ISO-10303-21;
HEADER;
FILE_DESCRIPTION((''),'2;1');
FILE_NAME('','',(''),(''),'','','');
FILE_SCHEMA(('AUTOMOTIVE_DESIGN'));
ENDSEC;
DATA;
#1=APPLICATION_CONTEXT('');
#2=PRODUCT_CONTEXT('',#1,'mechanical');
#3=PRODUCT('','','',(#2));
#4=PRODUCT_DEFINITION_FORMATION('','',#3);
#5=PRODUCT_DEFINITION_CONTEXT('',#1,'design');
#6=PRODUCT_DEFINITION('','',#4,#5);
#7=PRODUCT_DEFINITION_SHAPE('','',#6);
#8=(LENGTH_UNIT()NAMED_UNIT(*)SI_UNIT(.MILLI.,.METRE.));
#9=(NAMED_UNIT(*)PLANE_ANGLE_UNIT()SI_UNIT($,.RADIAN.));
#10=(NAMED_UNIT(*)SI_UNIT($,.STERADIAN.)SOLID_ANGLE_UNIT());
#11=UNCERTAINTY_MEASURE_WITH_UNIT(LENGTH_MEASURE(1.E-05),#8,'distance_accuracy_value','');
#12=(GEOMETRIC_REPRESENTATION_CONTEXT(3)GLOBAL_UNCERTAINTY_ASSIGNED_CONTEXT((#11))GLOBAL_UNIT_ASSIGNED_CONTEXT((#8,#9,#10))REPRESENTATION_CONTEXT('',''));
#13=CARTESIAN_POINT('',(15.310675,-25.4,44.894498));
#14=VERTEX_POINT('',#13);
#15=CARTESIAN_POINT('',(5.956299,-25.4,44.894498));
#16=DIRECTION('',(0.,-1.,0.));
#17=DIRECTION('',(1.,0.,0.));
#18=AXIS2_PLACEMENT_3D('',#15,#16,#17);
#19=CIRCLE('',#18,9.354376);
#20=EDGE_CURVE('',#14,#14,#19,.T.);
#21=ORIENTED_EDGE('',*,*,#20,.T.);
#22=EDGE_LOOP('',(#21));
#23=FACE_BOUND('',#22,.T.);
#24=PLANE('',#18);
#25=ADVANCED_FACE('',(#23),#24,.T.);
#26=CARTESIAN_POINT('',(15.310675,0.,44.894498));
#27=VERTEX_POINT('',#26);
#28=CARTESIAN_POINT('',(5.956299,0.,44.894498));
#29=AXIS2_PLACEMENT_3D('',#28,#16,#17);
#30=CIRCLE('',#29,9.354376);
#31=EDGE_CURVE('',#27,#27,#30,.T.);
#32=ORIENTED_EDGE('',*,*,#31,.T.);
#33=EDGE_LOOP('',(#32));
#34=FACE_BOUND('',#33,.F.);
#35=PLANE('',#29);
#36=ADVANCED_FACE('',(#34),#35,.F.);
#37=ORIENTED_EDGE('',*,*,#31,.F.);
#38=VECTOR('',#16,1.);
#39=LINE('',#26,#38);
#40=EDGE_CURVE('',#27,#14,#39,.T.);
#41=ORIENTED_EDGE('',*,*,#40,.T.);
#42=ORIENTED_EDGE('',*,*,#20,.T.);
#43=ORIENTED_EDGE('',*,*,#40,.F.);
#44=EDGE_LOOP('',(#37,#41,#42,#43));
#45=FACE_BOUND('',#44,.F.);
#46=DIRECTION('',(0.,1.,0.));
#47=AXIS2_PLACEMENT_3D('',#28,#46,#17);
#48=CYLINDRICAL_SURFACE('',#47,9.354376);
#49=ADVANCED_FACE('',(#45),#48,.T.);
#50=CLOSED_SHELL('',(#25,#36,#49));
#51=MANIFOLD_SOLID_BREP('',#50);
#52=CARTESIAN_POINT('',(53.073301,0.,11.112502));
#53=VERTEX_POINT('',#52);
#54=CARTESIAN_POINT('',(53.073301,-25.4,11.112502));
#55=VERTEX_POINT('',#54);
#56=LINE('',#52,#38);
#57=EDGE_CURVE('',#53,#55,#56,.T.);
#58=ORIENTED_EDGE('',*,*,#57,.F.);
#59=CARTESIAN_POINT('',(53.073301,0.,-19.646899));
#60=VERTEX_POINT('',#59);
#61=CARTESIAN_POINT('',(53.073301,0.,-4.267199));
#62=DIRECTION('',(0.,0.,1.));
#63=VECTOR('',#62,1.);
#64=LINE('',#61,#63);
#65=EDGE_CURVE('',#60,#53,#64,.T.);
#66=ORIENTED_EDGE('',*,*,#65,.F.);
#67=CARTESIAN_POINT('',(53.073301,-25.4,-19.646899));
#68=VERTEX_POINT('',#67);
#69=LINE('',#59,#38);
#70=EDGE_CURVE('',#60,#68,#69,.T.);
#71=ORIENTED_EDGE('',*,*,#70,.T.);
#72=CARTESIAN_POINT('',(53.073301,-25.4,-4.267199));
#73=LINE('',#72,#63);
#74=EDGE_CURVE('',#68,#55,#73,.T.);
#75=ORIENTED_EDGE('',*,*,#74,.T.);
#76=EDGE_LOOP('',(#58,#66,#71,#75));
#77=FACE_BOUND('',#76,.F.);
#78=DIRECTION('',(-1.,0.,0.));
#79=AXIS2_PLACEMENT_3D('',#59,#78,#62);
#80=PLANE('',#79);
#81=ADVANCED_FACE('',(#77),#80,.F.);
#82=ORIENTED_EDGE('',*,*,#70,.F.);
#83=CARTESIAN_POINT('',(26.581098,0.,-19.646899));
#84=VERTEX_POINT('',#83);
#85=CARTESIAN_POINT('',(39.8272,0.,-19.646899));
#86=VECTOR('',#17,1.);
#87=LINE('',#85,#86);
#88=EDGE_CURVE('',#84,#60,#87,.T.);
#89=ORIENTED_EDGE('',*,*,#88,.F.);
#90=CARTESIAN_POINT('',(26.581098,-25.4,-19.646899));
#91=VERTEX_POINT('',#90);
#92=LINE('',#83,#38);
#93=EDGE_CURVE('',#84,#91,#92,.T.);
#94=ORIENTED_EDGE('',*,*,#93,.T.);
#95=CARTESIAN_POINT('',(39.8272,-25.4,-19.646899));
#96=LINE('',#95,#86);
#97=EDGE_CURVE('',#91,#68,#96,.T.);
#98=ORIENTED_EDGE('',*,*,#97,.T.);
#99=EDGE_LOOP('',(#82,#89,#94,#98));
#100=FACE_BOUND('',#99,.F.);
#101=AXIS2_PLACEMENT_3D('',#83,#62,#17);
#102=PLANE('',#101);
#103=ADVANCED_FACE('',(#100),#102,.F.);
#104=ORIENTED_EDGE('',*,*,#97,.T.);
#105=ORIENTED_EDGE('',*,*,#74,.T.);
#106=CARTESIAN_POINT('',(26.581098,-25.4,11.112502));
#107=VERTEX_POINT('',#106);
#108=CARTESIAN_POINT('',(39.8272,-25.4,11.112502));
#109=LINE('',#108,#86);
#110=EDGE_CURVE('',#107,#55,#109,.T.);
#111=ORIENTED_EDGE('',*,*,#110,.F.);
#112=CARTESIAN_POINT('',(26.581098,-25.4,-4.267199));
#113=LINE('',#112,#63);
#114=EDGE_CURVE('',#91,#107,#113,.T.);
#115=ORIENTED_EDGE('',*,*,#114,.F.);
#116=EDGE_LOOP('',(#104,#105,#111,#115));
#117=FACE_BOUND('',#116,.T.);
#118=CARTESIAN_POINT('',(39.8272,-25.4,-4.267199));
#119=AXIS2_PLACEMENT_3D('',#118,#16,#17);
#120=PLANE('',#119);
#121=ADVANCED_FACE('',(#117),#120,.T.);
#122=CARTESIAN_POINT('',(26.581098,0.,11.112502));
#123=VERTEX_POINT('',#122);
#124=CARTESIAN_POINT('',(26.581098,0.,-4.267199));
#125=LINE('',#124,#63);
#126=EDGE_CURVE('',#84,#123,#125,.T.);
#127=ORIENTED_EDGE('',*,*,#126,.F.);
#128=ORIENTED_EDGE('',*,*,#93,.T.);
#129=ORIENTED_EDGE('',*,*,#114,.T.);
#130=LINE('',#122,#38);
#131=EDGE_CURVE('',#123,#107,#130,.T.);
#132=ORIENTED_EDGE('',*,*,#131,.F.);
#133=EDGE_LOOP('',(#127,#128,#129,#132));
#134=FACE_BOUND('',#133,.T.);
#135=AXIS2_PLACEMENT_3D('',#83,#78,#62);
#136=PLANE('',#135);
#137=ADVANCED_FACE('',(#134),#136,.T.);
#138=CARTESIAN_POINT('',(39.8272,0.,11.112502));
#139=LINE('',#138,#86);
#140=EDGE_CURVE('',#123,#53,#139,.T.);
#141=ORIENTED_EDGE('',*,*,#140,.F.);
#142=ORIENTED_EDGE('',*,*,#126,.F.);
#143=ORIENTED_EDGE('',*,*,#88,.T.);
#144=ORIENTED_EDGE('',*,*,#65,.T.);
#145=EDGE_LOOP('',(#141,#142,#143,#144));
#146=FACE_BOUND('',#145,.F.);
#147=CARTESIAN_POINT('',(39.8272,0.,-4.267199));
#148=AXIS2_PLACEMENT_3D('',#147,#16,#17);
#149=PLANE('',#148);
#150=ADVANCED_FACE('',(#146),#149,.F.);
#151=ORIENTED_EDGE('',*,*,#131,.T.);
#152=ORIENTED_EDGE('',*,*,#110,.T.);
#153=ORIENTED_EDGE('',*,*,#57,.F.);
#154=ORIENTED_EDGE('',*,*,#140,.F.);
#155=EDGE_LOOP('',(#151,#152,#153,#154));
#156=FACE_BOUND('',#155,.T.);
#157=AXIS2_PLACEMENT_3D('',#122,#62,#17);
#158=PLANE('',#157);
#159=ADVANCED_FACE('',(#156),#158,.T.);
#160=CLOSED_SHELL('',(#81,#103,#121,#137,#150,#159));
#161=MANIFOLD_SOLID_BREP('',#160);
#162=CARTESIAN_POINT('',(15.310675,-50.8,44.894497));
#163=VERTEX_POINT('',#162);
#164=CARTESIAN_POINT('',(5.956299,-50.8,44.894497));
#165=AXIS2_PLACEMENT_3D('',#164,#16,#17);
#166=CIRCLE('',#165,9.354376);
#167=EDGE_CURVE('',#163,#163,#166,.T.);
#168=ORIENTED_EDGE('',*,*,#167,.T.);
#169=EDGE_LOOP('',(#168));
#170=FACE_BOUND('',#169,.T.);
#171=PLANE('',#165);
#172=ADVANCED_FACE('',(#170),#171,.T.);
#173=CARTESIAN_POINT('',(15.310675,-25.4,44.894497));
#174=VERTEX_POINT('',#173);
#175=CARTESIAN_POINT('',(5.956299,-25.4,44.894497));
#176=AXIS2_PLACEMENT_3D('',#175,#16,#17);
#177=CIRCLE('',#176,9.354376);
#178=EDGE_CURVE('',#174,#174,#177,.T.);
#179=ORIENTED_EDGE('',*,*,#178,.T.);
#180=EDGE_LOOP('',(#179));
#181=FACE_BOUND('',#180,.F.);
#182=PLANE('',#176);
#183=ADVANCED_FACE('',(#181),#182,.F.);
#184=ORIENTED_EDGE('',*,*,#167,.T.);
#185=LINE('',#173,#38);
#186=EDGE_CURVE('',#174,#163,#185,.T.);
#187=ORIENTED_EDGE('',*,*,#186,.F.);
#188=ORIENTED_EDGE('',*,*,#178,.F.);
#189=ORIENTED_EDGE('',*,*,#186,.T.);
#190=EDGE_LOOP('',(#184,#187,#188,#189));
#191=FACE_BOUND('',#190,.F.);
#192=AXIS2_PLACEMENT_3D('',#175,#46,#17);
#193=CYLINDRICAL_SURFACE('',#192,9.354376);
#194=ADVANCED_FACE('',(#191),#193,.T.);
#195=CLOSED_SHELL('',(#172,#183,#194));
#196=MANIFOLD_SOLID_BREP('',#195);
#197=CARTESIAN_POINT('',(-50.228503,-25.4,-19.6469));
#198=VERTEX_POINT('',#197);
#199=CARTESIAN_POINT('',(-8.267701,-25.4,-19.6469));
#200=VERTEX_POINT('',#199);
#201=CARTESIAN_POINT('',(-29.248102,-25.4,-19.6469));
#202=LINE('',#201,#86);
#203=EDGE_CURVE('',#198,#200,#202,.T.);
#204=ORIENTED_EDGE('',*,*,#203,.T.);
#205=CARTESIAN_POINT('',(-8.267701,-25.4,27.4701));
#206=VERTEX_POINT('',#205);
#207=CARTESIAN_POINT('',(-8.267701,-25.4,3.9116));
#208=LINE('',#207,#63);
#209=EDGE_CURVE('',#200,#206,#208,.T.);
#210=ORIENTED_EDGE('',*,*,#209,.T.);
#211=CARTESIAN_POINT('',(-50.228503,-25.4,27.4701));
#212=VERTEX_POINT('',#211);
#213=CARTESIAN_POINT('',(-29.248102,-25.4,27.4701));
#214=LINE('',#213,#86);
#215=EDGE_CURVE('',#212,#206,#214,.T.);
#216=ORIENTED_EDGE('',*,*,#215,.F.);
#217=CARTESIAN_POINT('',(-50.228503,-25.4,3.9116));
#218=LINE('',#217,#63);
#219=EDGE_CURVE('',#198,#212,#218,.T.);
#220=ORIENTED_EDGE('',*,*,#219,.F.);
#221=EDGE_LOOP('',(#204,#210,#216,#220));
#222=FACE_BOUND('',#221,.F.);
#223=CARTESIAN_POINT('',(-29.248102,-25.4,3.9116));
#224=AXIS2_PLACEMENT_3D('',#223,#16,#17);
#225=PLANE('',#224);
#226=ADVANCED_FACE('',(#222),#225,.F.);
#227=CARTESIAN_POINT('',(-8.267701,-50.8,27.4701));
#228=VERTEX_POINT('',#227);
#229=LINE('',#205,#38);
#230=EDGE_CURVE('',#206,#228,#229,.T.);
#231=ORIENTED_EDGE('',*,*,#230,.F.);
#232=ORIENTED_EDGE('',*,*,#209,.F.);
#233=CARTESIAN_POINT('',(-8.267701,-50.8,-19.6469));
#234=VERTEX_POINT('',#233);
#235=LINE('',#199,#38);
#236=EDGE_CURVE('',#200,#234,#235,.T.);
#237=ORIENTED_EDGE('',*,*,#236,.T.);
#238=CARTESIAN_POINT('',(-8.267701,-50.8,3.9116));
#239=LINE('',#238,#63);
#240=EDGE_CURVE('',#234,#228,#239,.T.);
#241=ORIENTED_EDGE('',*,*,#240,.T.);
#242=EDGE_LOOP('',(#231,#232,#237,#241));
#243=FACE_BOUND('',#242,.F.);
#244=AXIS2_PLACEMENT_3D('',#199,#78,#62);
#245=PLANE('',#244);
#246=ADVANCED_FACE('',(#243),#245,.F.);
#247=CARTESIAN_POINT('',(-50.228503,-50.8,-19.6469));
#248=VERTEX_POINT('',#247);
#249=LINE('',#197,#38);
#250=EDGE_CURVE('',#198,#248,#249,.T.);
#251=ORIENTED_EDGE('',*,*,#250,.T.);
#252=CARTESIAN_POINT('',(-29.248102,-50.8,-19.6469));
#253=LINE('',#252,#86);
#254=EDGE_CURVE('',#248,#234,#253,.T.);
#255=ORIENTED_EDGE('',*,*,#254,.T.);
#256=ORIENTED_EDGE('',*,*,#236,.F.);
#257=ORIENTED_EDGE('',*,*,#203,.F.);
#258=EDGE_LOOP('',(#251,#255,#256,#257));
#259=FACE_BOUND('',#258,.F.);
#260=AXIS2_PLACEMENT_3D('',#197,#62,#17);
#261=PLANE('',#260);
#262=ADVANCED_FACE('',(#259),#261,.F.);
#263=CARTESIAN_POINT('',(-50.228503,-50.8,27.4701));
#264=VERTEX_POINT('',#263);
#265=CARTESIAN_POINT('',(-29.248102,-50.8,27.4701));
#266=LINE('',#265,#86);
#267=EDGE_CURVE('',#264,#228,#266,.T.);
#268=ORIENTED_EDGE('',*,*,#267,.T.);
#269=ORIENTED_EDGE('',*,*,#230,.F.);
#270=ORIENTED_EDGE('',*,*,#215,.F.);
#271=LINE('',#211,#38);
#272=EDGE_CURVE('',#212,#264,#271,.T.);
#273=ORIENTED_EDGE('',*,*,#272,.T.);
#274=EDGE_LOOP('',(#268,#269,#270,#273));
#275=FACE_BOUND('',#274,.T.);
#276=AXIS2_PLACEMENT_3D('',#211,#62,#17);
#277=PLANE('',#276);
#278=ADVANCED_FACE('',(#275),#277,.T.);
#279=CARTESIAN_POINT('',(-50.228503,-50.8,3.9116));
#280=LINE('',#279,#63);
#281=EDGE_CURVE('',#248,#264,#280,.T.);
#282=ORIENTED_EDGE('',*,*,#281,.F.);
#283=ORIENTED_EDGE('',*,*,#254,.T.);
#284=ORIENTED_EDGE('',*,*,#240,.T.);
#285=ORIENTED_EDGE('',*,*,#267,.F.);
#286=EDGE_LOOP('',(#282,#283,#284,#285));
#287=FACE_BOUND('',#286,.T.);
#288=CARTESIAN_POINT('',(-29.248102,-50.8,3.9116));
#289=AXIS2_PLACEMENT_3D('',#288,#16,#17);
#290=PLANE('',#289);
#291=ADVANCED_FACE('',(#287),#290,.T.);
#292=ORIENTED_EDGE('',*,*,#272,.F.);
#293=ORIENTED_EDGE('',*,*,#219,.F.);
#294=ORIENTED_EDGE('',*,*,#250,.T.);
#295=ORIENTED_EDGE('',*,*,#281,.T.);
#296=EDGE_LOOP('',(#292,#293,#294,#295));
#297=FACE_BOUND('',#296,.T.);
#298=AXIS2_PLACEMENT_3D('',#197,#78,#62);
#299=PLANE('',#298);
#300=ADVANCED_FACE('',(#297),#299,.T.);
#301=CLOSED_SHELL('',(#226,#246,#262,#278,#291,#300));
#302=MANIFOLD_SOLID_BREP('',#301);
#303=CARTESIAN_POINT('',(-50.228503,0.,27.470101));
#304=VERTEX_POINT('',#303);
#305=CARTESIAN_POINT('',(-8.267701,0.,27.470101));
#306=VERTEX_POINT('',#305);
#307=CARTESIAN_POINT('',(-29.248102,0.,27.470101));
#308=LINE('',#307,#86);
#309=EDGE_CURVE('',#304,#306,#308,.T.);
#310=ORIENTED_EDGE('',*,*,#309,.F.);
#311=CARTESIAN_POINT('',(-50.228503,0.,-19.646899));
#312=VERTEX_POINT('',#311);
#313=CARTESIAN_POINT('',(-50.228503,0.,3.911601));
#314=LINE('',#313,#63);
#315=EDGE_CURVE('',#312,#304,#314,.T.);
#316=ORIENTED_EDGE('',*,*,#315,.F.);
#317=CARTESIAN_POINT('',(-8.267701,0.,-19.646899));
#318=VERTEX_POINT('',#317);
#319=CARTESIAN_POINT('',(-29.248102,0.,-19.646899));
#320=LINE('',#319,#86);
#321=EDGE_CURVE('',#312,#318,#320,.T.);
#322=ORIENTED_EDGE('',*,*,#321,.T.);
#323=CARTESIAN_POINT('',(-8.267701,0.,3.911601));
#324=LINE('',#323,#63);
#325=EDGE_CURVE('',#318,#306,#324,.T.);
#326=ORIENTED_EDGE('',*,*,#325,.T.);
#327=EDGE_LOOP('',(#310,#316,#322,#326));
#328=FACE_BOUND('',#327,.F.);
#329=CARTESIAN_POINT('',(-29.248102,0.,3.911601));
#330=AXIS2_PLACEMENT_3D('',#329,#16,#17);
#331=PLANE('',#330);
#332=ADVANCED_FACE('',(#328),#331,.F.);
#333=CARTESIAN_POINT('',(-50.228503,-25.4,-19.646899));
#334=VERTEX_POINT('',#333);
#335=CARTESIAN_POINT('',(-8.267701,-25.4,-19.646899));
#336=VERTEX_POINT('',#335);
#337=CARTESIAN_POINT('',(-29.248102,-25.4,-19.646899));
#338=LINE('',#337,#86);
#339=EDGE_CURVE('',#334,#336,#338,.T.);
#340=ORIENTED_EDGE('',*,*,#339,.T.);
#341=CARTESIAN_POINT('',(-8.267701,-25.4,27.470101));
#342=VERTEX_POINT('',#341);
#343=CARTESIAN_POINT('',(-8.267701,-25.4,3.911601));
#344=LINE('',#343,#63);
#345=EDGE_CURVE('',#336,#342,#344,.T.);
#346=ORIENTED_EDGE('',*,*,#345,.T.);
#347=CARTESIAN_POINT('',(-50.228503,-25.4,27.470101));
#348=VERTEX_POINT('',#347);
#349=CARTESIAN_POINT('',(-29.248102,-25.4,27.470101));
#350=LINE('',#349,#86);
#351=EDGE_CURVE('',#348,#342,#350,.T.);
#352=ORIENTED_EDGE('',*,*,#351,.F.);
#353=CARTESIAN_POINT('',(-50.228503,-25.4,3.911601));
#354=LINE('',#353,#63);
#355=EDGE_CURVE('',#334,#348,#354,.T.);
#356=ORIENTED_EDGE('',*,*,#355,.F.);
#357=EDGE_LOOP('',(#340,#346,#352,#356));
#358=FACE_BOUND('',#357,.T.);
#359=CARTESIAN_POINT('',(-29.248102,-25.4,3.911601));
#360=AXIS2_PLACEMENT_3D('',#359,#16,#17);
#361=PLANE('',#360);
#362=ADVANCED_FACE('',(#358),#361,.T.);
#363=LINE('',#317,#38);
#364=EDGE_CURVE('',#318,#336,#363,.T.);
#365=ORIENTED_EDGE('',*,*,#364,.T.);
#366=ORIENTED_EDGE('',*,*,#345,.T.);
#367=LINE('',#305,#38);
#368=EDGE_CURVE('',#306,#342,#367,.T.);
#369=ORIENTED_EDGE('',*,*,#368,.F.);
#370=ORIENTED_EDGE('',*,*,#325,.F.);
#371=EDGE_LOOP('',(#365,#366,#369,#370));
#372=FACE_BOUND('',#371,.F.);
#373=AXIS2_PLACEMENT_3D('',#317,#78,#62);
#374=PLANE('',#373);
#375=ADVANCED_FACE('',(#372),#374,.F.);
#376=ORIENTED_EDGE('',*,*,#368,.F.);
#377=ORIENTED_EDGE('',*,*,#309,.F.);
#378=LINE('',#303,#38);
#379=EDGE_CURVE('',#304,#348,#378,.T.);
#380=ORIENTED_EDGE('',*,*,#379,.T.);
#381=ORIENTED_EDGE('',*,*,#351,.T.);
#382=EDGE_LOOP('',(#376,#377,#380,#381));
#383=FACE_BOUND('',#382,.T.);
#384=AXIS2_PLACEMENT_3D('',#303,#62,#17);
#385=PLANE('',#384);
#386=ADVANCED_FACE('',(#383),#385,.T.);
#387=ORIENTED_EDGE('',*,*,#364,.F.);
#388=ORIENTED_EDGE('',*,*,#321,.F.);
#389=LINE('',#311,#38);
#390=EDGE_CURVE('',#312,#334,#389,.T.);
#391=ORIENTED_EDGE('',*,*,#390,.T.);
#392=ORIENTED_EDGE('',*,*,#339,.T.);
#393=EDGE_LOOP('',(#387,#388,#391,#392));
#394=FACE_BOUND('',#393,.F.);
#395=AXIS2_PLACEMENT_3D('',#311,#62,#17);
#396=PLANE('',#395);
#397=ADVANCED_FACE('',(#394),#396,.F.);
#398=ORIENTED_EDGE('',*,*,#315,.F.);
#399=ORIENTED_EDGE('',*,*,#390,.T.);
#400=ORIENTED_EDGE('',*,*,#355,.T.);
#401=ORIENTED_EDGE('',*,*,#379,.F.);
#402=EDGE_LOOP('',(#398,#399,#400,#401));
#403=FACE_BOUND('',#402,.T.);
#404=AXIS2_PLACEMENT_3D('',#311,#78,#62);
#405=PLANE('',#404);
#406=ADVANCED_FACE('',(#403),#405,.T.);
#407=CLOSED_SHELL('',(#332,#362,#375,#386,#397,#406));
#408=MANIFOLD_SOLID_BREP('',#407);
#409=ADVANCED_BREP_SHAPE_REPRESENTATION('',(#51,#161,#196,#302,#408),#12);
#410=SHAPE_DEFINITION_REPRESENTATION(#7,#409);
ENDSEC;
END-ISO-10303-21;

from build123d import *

# Parameters (mm, degrees)
F0_W      = 26.492203
F0_H      = 30.759401
F0_W_2    = 41.960802
F0_H_2    = 47.117001
F0_R      = 9.354376
F1_DEPTH  = 25.4
F1_FACE_W = 41.960802
F1_FACE_H = 47.117
F1_FACE_R = 9.354376
F2_DEPTH  = 25.4


with BuildPart() as f1:
    # F0 (on Front) → F1 (new body)
    with BuildSketch(Plane.XZ):
        with Locations((39.8272, -4.267199)):
            Rectangle(F0_W, F0_H)
        with Locations((-29.248102, 3.911601)):
            Rectangle(F0_W_2, F0_H_2)
        with Locations((5.956299, 44.894498)):
            Circle(F0_R)
    extrude(amount=F1_DEPTH)


with BuildPart() as f2:
    # F1_face (on face) → F2 (new body)
    with BuildSketch(Plane(origin=(-29.248102, -25.4, 3.9116), x_dir=(1, 0, 0), z_dir=(0, -1, 0))):
        Rectangle(F1_FACE_W, F1_FACE_H)
        with Locations((35.204401, 40.982897)):
            Circle(F1_FACE_R)
    extrude(amount=F2_DEPTH)


solid = Compound([f1.part, f2.part])
